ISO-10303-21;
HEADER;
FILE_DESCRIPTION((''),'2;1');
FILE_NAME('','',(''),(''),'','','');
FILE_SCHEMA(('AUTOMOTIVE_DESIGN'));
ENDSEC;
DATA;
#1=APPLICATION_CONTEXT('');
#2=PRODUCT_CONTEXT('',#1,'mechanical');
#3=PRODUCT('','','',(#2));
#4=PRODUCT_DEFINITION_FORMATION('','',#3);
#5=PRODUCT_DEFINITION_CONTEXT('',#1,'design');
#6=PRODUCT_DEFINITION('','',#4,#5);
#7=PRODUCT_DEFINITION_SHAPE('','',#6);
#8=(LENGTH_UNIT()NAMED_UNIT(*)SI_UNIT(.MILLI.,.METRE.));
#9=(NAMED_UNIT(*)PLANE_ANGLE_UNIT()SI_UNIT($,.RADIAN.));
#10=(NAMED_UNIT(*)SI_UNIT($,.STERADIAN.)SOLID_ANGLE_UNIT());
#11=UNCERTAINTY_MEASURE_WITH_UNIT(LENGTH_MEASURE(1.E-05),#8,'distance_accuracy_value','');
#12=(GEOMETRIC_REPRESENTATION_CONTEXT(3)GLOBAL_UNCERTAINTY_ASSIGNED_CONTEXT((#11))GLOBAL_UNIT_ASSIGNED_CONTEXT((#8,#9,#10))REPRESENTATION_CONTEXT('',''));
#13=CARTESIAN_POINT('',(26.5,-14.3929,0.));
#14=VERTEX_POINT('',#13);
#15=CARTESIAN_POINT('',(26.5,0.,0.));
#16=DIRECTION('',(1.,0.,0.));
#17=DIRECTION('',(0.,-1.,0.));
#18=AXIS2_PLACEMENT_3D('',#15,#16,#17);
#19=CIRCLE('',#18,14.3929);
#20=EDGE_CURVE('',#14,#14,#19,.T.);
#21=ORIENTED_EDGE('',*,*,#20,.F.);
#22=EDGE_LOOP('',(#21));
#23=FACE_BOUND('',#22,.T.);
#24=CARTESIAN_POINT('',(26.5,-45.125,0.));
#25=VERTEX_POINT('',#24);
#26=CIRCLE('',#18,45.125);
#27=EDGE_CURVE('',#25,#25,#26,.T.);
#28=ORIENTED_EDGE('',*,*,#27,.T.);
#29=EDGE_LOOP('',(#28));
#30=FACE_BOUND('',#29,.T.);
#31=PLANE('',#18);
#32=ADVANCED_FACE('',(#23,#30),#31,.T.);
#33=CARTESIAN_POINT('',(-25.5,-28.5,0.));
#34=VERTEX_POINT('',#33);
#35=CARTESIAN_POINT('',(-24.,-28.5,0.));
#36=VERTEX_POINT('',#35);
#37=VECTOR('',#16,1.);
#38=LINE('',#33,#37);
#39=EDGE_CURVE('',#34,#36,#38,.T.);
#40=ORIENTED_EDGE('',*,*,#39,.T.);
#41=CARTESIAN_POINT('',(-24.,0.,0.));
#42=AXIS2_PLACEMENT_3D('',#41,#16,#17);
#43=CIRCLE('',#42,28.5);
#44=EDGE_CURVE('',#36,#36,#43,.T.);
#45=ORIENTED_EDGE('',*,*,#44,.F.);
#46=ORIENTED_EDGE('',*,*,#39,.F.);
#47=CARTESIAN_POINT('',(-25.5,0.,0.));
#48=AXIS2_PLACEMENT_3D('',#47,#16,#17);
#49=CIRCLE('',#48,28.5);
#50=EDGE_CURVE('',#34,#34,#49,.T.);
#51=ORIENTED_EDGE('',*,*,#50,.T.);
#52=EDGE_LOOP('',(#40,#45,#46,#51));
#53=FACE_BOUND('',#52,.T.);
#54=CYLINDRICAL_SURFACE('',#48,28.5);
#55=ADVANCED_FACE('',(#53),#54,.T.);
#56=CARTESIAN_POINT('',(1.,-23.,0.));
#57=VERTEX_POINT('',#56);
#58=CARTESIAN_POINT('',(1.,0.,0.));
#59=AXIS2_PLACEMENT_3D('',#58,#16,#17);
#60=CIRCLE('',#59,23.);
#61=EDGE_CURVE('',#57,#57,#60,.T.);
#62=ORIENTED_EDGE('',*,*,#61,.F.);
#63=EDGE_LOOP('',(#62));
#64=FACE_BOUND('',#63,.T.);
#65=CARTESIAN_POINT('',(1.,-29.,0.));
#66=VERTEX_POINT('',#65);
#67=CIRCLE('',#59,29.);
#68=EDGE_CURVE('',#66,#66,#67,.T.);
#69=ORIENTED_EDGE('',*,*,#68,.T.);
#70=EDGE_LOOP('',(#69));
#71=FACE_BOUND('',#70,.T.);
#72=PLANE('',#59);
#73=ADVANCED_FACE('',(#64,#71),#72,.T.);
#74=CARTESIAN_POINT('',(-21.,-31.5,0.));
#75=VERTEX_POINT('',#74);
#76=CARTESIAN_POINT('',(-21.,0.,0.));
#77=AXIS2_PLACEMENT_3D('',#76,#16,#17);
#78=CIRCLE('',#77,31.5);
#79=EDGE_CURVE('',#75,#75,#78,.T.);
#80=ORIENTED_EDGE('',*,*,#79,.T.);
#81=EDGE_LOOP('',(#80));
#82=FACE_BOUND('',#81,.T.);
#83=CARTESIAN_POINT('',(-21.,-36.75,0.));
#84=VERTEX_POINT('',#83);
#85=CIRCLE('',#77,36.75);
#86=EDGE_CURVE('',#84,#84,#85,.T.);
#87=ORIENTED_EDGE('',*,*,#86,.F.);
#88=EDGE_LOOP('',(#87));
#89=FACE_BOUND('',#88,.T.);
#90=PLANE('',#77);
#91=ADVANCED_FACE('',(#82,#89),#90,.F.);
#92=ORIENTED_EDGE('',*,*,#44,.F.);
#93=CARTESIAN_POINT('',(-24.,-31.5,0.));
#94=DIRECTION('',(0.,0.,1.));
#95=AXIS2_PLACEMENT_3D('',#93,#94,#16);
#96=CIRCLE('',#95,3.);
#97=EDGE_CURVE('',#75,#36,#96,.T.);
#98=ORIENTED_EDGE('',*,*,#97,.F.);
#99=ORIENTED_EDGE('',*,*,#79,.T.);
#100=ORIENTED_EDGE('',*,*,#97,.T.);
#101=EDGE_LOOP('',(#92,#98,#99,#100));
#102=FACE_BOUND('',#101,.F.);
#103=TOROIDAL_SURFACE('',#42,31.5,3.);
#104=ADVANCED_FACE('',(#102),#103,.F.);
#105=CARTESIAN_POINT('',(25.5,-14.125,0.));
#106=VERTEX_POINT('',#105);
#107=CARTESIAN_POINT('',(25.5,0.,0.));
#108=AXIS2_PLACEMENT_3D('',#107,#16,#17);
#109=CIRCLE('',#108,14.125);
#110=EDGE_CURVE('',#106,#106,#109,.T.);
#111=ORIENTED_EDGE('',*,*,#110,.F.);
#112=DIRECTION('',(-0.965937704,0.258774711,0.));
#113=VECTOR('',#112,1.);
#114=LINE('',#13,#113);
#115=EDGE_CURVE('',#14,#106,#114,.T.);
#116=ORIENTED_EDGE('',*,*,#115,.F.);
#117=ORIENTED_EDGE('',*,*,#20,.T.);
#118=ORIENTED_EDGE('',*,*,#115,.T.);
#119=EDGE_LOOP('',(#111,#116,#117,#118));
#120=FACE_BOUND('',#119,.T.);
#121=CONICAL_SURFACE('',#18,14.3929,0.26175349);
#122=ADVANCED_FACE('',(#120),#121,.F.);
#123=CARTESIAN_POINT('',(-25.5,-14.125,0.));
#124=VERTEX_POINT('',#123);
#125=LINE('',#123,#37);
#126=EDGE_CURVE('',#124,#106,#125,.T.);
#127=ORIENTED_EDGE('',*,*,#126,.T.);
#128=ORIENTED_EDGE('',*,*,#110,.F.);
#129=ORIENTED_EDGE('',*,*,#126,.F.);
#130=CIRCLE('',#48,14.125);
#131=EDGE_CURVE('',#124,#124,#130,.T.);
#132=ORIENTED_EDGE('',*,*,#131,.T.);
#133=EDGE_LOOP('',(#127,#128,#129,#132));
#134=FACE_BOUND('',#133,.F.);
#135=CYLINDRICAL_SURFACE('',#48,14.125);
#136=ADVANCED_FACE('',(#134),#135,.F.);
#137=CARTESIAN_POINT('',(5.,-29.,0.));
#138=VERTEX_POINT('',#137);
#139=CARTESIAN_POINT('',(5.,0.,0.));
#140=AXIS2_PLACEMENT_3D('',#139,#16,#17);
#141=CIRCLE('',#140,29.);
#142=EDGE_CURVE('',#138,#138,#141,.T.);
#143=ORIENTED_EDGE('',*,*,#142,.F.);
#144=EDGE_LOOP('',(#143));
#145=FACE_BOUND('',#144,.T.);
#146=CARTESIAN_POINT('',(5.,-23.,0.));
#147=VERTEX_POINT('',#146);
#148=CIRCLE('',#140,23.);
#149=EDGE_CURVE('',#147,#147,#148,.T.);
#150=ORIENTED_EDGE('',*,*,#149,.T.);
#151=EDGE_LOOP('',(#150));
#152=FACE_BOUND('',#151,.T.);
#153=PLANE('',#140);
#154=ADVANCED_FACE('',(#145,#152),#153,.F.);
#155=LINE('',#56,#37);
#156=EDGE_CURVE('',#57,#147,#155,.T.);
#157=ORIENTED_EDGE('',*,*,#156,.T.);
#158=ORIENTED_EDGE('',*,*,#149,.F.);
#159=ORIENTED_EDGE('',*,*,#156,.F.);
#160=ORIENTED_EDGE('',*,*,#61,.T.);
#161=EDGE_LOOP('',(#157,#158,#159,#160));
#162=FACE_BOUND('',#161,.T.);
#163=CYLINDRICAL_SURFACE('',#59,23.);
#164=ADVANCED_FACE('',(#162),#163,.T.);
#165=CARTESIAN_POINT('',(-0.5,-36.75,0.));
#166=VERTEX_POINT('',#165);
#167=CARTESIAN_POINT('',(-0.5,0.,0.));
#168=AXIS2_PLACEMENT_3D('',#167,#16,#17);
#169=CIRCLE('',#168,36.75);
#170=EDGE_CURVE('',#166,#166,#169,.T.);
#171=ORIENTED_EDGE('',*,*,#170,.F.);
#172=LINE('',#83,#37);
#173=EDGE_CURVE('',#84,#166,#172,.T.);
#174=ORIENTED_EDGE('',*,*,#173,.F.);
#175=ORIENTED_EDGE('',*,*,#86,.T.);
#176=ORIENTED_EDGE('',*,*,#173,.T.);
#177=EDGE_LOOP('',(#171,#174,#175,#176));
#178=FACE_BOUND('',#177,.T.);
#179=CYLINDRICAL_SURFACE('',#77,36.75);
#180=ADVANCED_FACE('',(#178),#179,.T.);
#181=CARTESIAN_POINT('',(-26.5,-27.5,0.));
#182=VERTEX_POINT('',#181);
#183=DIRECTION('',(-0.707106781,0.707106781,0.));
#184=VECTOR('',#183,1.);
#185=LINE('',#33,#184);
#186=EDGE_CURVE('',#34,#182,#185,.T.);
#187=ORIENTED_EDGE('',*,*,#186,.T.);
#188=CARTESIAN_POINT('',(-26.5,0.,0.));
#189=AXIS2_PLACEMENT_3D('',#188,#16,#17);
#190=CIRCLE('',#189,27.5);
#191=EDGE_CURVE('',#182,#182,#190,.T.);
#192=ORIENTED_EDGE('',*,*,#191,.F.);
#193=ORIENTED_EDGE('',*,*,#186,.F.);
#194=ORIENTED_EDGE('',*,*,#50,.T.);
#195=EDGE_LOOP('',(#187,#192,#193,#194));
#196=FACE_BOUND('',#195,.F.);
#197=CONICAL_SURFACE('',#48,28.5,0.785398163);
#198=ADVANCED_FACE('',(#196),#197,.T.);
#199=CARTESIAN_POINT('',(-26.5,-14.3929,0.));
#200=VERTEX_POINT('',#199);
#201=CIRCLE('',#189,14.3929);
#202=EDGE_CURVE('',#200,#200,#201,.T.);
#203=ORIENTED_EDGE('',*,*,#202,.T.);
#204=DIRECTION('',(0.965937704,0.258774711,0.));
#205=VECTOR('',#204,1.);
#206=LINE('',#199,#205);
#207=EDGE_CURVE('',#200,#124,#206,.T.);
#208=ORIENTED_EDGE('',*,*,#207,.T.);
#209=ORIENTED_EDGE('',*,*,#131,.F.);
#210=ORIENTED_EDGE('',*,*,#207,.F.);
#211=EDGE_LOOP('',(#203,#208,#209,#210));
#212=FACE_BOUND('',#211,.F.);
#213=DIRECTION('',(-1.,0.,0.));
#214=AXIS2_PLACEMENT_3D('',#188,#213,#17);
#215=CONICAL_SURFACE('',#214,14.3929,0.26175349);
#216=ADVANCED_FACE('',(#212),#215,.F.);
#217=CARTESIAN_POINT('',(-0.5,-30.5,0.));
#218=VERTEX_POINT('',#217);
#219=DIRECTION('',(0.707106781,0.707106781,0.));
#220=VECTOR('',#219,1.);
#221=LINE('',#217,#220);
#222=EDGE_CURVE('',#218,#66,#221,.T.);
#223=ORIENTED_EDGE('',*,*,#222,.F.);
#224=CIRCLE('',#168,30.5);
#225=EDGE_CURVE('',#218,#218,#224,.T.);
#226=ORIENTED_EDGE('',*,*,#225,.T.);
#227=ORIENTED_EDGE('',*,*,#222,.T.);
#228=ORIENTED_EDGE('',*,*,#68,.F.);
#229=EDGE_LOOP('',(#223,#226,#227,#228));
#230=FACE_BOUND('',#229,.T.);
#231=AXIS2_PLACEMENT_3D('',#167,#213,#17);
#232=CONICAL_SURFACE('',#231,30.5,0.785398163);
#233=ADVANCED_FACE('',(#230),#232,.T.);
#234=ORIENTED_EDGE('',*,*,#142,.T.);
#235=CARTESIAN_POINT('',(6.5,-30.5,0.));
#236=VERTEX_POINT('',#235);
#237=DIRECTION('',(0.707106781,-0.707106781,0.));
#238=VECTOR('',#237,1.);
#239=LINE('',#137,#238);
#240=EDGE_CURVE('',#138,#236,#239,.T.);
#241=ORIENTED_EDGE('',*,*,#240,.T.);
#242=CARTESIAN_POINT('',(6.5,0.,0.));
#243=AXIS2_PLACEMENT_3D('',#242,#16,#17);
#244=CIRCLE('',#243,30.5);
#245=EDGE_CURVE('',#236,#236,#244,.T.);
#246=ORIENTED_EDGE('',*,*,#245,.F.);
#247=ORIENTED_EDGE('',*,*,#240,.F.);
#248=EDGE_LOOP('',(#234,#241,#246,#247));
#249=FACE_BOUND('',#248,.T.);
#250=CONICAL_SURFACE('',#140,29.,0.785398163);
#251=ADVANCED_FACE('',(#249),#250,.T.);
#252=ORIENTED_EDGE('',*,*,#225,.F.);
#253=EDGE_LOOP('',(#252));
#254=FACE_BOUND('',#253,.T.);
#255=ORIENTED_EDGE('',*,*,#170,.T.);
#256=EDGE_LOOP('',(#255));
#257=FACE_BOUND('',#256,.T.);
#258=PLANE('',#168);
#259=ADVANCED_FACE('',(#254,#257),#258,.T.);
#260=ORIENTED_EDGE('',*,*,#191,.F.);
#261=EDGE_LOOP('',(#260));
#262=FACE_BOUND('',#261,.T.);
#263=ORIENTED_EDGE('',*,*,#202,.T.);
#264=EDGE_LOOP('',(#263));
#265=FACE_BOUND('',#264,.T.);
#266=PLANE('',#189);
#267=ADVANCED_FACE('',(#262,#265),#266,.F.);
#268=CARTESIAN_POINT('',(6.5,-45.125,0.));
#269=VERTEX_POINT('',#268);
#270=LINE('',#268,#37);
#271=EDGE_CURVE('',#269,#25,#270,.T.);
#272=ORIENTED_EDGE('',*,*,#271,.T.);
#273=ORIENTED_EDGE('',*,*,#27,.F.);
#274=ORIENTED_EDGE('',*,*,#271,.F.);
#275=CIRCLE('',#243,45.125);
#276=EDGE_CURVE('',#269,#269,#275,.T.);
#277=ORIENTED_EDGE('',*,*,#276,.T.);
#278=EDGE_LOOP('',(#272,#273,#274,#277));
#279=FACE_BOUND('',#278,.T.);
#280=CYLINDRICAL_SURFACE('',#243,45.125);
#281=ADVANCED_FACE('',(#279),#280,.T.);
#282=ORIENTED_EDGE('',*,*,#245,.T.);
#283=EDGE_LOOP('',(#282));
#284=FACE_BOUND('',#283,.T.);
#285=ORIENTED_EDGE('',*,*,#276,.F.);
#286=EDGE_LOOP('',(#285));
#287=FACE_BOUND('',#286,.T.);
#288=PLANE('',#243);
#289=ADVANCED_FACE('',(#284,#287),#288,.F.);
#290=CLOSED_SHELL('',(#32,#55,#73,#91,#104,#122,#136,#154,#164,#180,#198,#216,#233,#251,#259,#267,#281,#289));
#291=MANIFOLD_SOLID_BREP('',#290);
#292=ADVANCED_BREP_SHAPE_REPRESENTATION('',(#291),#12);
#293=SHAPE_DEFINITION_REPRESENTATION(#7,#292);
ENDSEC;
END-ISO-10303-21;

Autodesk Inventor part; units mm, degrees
ref_plane "YZ Plane" through (0, 0, 0) normal (1, 0, 0) x (0, 1, 0)
ref_plane "XZ Plane" through (0, 0, 0) normal (0, 1, 0) x (-1, 0, 0)
ref_plane "XY Plane" through (0, 0, 0) normal (0, 0, 1) x (1, 0, 0)
sketch "Эскиз1" plane through (0, 0, 0) normal (0, 0, 1) x (1, 0, 0)
  line L0 (-26.5, 0) -> (26.5, 0)
  line L1 (-26.5, -14.3929) -> (-26.5, -27.5)
  line L2 (-25.5, -28.5) -> (-24, -28.5)
  line L3 (-26.5, -14.3929) -> (-25.5, -14.125)
  line L4 (-25.5, -14.125) -> (25.5, -14.125)
  line L5 (-25.5, -28.5) -> (-26.5, -27.5)
  line L6 (-21, -31.5) -> (-21, -36.75)
  arc A0 (-21, -31.5) -> (-24, -28.5) centre (-24, -31.5) ccw
  line L7 (-21, -36.75) -> (-0.5, -36.75)
  line L8 (-0.5, -36.75) -> (-0.5, -30.5)
  line L9 (-0.5, -30.5) -> (1, -29)
  line L10 (1, -29) -> (1, -23)
  line L11 (1, -23) -> (5, -23)
  line L12 (5, -23) -> (5, -29)
  line L13 (5, -29) -> (6.5, -30.5)
  line L14 (6.5, -30.5) -> (6.5, -45.125)
  line L15 (6.5, -45.125) -> (26.5, -45.125)
  line L16 (26.5, -45.125) -> (26.5, -14.3929)
  line L17 (26.5, -14.3929) -> (25.5, -14.125)
  point P0 (0, 0)
  point P1 (0, 0)
  point P2 (-26.5, -28.5)
  dimension "d0" = 53
  dimension "d1" = 28.25
  dimension "d2" = 15
  dimension "d3" = 57
  dimension "d4" = 1
  dimension "d5" = 1
  dimension "d6" = 45
  dimension "d7" = 3
  dimension "d8" = 73.5
  dimension "d9" = 5.5
  dimension "d10" = 7
  dimension "d11" = 4
  dimension "d12" = 46
  dimension "d13" = 21.5
  dimension "d14" = 20
  dimension "d15" = 58
  dimension "d16" = 45
  dimension "d17" = 15
  dimension "d18" = 1
  dimension "d19" = 90.25
revolve "Вращение1" add sketch "Эскиз1" angle 360 about axis through (-26.5, 0, 0) along (1, 0, 0)
properties part number "71. Блок шестерен заднего хода"
